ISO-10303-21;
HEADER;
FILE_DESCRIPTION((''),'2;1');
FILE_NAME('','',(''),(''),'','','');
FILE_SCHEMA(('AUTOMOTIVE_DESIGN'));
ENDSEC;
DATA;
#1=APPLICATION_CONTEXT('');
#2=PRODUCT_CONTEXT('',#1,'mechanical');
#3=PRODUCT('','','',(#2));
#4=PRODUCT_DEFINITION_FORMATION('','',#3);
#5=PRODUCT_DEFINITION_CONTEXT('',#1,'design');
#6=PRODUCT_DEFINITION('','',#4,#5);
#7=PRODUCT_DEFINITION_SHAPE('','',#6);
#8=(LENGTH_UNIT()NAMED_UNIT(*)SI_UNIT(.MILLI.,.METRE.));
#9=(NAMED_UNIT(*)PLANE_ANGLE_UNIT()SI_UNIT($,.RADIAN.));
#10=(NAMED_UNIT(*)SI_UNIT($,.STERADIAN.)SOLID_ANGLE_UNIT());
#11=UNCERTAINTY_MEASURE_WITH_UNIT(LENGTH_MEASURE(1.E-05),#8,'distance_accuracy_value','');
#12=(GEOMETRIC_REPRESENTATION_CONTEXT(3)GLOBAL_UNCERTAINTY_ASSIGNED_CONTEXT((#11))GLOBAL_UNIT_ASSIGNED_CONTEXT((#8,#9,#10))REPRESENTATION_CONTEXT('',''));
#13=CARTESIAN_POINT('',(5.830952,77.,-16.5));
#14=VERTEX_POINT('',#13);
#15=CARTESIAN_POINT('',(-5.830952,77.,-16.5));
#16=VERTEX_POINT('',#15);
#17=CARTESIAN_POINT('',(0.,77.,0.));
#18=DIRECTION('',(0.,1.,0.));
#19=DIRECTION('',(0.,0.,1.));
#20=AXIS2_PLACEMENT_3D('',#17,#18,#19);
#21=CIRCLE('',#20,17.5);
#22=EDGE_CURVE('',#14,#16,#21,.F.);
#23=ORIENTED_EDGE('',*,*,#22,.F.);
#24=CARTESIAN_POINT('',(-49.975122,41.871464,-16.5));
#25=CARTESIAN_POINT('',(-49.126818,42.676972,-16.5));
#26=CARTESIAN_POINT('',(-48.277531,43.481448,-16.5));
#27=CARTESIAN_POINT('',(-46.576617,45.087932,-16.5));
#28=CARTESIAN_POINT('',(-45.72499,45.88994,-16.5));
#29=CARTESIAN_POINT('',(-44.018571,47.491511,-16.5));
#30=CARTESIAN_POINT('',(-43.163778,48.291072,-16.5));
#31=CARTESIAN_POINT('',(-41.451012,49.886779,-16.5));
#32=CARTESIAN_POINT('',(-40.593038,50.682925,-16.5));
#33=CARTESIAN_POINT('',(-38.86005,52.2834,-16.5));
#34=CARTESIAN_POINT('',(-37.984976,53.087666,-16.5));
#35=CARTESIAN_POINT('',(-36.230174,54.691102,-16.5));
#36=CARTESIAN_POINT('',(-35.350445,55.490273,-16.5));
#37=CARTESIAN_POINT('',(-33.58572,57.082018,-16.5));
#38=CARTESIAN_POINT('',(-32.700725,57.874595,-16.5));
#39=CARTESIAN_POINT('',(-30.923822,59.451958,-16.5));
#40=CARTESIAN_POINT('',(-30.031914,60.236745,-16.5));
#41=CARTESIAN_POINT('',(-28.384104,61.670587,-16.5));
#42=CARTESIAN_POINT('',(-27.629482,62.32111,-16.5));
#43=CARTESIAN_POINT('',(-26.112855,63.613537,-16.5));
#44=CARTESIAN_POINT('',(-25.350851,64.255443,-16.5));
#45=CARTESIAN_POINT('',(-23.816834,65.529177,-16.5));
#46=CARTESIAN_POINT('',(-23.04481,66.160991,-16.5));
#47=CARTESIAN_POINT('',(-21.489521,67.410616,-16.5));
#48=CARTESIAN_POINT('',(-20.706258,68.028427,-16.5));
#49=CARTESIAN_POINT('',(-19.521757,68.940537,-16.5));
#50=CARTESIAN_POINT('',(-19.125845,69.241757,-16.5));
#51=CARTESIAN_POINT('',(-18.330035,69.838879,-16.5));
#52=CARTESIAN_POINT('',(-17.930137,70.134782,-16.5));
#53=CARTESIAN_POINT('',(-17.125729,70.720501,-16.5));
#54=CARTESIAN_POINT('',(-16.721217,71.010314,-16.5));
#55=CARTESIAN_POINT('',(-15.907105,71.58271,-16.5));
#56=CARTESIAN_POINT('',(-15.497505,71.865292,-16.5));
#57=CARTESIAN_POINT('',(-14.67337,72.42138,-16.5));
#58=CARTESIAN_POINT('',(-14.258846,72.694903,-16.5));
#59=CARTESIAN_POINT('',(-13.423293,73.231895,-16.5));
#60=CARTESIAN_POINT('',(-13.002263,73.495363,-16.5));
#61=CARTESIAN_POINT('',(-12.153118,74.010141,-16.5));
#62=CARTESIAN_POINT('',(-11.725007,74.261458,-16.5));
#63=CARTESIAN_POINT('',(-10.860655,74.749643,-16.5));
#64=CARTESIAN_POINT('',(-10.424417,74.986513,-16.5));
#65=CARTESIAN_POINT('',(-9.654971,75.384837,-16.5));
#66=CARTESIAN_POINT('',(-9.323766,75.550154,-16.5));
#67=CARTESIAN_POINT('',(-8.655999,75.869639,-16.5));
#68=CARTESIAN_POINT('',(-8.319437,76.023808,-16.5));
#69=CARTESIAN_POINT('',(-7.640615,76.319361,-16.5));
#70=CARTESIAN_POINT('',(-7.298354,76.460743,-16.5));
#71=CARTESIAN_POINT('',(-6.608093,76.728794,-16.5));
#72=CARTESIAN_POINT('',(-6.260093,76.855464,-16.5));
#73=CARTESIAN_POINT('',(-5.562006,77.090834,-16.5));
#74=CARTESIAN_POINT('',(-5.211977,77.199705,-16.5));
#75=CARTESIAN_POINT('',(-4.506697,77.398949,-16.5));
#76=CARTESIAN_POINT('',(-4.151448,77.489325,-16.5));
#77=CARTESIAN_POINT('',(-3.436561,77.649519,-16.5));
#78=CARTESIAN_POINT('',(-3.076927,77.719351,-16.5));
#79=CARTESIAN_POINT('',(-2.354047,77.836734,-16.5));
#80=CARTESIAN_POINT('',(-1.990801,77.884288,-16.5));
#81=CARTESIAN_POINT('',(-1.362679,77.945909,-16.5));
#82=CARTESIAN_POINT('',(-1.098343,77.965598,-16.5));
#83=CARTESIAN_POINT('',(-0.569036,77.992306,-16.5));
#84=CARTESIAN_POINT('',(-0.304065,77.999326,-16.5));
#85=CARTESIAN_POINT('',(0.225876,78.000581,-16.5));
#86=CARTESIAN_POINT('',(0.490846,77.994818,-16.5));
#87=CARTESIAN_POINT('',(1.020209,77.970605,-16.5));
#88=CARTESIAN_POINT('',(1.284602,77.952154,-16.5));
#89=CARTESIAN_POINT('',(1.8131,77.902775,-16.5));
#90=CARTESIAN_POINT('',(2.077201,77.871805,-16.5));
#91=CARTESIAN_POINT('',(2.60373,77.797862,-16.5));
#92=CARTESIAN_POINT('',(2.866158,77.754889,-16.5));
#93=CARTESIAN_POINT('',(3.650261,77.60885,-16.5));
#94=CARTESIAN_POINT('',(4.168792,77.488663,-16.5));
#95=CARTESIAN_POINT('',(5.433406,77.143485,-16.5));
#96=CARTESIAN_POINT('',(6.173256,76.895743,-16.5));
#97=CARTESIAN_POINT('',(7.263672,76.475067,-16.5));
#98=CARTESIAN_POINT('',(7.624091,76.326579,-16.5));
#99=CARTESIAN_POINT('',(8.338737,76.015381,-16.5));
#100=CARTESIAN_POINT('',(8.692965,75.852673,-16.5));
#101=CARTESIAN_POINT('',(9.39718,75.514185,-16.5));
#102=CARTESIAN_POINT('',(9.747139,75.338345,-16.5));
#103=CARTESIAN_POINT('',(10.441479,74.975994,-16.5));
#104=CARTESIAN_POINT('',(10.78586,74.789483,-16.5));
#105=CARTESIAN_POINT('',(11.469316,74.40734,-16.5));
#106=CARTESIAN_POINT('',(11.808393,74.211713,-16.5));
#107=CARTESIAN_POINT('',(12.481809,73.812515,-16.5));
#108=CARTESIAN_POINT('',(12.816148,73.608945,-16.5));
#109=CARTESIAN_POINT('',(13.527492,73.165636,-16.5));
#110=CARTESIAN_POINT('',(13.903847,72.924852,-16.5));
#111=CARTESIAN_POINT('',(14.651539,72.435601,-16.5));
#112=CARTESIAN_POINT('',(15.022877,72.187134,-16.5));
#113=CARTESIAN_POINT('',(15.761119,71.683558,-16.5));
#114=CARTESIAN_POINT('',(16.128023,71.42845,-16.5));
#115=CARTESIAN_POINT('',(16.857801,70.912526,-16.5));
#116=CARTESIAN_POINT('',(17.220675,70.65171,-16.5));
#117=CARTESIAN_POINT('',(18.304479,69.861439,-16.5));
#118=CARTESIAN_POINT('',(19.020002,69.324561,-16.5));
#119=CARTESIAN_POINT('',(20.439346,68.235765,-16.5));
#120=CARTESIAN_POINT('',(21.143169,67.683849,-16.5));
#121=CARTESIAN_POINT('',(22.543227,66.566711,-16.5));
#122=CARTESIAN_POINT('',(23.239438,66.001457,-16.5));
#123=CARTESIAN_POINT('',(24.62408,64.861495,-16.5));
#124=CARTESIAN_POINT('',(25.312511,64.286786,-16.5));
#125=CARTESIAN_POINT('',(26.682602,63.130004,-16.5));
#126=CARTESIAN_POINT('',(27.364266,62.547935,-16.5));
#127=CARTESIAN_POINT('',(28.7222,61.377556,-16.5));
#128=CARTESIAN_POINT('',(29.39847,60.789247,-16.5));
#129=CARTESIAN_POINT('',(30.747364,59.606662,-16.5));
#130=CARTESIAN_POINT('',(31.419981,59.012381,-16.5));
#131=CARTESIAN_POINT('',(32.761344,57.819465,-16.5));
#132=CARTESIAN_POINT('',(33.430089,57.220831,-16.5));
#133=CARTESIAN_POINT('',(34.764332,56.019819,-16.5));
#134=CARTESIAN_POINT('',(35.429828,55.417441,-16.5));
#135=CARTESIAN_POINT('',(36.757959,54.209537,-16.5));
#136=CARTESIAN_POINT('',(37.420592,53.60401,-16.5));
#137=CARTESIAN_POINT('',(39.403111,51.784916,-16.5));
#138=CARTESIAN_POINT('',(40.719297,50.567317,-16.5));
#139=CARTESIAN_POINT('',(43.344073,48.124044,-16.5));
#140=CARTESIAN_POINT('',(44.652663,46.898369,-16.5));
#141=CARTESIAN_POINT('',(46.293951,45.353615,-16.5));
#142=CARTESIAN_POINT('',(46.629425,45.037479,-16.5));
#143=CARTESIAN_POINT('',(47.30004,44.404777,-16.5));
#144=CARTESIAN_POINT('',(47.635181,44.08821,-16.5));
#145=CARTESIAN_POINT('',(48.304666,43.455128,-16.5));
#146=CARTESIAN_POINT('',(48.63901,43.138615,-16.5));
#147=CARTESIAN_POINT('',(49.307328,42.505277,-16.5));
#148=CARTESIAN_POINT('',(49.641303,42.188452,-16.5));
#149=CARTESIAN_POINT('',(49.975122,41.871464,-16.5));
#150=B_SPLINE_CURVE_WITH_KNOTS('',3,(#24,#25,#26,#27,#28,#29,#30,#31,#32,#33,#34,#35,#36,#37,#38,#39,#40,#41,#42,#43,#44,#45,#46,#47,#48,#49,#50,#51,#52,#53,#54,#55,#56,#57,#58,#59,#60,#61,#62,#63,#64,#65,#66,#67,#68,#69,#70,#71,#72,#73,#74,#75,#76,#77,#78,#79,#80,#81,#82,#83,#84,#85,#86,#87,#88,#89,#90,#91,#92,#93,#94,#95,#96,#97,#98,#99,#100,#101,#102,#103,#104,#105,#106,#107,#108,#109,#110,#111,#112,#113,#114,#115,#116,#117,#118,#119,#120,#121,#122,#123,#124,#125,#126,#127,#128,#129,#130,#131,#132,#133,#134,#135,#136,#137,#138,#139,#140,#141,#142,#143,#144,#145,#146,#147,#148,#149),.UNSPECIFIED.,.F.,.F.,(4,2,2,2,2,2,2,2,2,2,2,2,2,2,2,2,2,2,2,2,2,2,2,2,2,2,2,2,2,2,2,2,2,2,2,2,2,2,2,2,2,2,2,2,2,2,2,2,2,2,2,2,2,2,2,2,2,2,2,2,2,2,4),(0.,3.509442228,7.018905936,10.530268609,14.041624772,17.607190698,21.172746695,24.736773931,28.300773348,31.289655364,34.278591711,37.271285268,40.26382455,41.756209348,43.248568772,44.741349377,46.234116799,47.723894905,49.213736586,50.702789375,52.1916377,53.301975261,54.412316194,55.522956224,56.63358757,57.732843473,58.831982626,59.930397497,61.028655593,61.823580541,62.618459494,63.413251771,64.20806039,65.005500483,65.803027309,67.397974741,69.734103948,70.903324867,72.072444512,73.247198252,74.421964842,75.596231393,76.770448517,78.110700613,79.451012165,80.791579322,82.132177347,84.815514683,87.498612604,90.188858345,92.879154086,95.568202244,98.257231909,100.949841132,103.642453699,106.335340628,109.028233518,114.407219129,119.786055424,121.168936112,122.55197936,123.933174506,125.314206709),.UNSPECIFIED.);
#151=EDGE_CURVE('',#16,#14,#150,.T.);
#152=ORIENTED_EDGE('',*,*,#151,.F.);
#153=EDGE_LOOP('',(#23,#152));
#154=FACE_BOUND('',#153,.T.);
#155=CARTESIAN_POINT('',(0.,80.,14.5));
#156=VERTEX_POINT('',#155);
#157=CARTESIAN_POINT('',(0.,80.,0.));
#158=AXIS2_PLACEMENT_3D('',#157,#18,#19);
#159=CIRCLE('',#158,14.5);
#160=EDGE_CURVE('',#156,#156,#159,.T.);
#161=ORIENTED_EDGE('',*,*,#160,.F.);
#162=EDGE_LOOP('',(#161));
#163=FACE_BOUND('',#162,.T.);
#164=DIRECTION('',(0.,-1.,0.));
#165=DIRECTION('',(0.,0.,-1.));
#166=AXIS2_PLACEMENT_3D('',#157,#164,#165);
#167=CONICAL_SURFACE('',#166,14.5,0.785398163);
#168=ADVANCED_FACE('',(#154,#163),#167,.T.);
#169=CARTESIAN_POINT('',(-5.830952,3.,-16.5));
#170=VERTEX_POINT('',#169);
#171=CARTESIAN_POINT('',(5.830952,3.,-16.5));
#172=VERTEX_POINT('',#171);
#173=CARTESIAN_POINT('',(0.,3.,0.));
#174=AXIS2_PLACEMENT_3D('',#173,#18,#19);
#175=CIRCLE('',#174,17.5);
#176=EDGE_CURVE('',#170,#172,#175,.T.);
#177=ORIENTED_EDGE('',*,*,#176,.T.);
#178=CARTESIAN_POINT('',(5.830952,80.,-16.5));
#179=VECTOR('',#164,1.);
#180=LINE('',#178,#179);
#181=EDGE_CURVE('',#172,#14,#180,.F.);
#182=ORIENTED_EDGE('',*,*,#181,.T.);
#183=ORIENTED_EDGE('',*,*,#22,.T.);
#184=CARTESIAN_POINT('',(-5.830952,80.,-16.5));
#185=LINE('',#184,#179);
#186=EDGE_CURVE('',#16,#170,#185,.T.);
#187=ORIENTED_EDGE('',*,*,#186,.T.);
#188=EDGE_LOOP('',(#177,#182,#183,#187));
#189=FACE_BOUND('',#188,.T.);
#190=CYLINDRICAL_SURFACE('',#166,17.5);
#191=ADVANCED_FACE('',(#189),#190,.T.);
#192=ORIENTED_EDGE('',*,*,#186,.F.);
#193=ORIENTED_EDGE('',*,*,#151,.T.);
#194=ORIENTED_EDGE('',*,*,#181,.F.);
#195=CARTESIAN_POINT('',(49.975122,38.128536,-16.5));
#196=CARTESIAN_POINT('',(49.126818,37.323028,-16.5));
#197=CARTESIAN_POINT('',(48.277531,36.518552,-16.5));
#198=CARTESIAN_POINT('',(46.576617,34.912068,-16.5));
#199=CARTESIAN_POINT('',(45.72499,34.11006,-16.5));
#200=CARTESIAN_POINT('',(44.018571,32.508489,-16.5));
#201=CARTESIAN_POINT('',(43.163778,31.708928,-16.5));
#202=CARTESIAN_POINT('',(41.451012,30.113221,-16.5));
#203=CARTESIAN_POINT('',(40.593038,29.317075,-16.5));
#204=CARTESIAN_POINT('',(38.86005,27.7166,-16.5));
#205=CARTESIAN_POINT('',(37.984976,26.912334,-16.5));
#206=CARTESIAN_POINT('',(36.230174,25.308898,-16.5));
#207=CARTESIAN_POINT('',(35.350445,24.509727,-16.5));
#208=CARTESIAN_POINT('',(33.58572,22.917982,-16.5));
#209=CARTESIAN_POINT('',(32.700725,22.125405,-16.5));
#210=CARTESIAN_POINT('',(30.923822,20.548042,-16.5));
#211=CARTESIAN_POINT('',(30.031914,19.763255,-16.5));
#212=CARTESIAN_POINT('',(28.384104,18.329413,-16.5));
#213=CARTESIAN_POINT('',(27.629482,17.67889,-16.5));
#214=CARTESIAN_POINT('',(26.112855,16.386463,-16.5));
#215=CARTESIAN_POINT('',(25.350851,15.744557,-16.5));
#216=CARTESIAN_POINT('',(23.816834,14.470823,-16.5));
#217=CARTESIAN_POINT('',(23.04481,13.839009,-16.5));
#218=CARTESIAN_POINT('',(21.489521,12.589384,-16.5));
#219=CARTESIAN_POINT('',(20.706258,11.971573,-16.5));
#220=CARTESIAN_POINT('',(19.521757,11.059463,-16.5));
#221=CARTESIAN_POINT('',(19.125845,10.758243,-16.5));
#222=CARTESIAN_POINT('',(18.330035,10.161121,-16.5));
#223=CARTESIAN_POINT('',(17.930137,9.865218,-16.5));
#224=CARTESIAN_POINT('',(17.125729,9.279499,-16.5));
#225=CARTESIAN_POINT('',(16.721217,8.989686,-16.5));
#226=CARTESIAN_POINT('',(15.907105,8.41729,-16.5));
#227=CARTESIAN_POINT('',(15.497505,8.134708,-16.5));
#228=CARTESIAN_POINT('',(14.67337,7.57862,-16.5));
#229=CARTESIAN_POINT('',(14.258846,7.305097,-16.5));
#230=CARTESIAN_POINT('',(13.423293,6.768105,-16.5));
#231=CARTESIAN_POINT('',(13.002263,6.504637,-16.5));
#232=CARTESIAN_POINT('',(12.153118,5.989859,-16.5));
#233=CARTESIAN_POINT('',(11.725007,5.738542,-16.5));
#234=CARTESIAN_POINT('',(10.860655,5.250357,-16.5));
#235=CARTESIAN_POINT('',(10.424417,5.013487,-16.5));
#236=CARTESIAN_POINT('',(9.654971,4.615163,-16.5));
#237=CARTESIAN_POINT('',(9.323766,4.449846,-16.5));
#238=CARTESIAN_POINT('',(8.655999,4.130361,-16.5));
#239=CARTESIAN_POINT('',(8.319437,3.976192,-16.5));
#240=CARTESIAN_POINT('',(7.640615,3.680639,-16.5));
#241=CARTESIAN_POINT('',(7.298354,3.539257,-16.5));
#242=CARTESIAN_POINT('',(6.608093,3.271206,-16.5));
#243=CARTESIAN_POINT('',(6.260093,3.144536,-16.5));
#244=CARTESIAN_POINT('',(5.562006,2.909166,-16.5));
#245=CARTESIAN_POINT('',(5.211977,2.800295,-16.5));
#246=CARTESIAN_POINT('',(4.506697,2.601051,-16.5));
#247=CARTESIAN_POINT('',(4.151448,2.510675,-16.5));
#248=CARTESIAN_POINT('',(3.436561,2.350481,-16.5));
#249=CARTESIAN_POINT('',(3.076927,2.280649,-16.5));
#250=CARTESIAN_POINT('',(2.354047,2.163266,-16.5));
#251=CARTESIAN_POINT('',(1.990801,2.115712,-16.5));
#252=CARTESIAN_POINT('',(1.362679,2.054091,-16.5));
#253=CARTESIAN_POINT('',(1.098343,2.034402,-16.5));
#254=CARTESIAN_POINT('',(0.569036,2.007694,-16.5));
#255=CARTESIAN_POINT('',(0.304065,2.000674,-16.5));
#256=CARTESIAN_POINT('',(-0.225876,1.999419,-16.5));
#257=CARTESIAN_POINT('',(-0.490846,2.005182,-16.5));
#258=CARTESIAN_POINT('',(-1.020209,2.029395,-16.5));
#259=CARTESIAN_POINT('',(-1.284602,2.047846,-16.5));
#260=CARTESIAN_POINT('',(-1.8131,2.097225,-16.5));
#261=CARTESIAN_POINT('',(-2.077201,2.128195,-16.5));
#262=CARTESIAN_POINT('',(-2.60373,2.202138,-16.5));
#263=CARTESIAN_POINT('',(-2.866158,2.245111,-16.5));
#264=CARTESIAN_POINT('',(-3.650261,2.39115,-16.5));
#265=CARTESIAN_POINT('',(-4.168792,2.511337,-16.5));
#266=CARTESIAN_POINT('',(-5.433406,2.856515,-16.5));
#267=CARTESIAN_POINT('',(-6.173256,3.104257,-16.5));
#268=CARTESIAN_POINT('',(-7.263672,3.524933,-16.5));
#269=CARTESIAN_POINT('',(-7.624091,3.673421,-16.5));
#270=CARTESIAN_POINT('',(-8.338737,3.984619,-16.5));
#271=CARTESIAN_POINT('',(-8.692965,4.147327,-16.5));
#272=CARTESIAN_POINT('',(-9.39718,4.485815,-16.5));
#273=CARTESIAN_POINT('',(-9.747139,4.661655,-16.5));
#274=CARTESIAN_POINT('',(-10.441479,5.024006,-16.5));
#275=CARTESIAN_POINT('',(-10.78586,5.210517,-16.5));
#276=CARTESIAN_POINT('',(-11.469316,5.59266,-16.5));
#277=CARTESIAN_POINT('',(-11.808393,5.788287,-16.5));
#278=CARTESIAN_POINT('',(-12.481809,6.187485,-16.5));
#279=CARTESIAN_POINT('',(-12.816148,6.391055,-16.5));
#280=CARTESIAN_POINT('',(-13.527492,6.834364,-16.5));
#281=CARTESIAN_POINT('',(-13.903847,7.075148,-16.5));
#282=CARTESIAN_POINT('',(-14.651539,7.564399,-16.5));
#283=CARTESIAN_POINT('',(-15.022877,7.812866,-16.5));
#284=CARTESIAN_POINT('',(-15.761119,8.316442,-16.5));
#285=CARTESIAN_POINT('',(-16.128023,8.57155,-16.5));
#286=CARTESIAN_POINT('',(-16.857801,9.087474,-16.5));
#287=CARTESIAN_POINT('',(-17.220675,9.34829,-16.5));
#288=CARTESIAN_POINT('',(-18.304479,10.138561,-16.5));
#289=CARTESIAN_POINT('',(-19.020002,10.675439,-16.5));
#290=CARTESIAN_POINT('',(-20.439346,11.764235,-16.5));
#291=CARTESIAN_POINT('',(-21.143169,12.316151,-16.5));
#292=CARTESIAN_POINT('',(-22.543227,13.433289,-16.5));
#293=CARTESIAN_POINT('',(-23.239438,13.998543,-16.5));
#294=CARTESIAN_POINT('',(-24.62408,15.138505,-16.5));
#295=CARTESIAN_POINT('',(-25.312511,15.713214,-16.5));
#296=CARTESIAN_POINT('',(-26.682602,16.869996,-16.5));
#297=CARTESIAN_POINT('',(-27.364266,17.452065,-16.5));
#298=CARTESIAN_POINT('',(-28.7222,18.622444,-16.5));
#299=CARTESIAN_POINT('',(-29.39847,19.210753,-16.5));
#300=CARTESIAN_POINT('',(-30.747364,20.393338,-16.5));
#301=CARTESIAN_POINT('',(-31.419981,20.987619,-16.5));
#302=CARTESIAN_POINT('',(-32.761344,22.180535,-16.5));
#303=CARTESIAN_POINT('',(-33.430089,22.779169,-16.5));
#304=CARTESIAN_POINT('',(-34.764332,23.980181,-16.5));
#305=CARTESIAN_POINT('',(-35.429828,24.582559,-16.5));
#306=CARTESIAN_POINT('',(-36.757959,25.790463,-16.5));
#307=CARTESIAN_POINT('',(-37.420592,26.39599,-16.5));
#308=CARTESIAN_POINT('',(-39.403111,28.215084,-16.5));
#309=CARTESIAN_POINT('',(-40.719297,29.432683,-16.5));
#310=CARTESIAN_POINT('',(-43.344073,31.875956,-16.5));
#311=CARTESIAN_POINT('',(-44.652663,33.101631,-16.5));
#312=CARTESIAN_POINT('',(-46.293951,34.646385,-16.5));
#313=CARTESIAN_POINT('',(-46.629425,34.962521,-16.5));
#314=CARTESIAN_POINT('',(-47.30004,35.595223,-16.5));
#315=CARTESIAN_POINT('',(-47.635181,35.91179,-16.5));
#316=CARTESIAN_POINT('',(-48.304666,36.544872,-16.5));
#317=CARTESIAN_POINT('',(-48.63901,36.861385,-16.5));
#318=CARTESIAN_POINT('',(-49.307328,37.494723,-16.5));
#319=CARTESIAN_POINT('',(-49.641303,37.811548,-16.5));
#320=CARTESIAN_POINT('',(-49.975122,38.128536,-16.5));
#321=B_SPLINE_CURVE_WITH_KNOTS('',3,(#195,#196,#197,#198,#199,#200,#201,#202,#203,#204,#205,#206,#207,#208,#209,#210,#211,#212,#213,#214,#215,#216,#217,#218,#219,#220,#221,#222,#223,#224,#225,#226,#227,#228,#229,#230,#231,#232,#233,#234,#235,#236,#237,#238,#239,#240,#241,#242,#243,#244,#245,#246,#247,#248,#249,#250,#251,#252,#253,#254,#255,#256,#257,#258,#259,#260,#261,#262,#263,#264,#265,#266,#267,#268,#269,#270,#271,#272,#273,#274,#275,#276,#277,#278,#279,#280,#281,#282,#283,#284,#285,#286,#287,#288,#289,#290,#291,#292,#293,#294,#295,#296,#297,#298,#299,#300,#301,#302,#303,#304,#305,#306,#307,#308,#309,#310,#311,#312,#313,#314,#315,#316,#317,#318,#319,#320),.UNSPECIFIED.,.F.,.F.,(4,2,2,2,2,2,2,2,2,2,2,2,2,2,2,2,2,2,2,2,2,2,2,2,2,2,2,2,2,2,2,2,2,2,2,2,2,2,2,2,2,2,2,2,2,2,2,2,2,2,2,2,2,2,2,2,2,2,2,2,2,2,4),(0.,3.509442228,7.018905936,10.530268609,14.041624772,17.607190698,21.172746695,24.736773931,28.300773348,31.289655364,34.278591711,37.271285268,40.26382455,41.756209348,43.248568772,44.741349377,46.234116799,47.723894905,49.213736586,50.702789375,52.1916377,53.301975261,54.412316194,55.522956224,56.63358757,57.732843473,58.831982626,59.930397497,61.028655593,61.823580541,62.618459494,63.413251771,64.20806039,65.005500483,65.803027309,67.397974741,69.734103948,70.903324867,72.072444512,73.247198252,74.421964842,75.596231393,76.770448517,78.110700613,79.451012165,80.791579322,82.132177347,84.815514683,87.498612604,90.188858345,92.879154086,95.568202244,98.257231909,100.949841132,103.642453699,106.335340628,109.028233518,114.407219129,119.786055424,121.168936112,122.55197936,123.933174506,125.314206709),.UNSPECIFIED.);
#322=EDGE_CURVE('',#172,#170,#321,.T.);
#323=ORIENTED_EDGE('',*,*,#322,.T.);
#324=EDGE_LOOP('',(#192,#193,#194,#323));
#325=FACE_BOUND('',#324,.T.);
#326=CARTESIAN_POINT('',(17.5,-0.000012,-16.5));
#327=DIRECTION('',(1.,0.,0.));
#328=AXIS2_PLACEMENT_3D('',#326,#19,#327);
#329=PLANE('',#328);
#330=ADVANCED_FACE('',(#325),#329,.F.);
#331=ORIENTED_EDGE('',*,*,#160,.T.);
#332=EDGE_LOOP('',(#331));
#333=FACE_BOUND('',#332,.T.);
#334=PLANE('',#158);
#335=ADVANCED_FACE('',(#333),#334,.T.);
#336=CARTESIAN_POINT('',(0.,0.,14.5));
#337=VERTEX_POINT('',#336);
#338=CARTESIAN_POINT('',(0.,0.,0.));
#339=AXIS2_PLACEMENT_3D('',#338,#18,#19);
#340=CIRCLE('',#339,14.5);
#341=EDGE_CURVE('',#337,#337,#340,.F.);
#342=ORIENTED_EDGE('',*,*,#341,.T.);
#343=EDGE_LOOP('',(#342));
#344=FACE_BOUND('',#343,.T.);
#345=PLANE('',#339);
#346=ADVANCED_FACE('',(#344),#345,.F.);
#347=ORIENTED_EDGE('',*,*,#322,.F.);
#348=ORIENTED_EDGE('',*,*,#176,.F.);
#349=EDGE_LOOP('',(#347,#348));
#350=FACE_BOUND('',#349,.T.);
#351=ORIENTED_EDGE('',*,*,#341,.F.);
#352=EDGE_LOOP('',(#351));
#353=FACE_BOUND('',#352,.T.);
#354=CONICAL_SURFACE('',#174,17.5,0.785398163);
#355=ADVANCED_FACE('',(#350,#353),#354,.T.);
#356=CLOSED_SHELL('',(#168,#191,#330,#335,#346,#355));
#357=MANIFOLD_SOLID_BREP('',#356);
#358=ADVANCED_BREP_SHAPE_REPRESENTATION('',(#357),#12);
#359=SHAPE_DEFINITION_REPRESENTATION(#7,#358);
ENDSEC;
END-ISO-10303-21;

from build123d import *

# Parameters (mm, degrees)
SKETCH1_R               = 17.5
BOSS_EXTRUDE1_DEPTH     = 80
CHAMFER1_SIZE           = 3
CUT_EXTRUDE1_DEPTH      = 84.740671122
CUT_EXTRUDE1_DEPTH_BACK = 84.740671122
SKETCH2_W               = 35
SKETCH2_H               = 5


with BuildPart() as part:
    # Sketch1 → Boss-Extrude1 (new body)
    with BuildSketch(Plane(origin=(0, 0, 0), x_dir=(1, 0, 0), z_dir=(0, 1, 0))):
        with Locations(Location((0, 0, 0), (0, 0, 270))):
            Circle(SKETCH1_R)
    extrude(amount=BOSS_EXTRUDE1_DEPTH)

    # Chamfer1
    chamfer1_edges = [part.edges().sort_by_distance(p)[0] for p in [
        (0, 0, -17.5),
        (0, 80, -17.5),
    ]]
    chamfer(chamfer1_edges, length=CHAMFER1_SIZE)

    # Sketch2 → Cut-Extrude1 (cut, two sides: drawn at the far end of the back side and taken through both)
    with BuildSketch(Plane(origin=(0, 0, 0), x_dir=(1, 0, 0), z_dir=(0, 1, 0)).offset(-CUT_EXTRUDE1_DEPTH_BACK)):
        with Locations((0, 19)):
            Rectangle(SKETCH2_W, SKETCH2_H)
    extrude(amount=CUT_EXTRUDE1_DEPTH + CUT_EXTRUDE1_DEPTH_BACK, mode=Mode.SUBTRACT)


solid = part.part
